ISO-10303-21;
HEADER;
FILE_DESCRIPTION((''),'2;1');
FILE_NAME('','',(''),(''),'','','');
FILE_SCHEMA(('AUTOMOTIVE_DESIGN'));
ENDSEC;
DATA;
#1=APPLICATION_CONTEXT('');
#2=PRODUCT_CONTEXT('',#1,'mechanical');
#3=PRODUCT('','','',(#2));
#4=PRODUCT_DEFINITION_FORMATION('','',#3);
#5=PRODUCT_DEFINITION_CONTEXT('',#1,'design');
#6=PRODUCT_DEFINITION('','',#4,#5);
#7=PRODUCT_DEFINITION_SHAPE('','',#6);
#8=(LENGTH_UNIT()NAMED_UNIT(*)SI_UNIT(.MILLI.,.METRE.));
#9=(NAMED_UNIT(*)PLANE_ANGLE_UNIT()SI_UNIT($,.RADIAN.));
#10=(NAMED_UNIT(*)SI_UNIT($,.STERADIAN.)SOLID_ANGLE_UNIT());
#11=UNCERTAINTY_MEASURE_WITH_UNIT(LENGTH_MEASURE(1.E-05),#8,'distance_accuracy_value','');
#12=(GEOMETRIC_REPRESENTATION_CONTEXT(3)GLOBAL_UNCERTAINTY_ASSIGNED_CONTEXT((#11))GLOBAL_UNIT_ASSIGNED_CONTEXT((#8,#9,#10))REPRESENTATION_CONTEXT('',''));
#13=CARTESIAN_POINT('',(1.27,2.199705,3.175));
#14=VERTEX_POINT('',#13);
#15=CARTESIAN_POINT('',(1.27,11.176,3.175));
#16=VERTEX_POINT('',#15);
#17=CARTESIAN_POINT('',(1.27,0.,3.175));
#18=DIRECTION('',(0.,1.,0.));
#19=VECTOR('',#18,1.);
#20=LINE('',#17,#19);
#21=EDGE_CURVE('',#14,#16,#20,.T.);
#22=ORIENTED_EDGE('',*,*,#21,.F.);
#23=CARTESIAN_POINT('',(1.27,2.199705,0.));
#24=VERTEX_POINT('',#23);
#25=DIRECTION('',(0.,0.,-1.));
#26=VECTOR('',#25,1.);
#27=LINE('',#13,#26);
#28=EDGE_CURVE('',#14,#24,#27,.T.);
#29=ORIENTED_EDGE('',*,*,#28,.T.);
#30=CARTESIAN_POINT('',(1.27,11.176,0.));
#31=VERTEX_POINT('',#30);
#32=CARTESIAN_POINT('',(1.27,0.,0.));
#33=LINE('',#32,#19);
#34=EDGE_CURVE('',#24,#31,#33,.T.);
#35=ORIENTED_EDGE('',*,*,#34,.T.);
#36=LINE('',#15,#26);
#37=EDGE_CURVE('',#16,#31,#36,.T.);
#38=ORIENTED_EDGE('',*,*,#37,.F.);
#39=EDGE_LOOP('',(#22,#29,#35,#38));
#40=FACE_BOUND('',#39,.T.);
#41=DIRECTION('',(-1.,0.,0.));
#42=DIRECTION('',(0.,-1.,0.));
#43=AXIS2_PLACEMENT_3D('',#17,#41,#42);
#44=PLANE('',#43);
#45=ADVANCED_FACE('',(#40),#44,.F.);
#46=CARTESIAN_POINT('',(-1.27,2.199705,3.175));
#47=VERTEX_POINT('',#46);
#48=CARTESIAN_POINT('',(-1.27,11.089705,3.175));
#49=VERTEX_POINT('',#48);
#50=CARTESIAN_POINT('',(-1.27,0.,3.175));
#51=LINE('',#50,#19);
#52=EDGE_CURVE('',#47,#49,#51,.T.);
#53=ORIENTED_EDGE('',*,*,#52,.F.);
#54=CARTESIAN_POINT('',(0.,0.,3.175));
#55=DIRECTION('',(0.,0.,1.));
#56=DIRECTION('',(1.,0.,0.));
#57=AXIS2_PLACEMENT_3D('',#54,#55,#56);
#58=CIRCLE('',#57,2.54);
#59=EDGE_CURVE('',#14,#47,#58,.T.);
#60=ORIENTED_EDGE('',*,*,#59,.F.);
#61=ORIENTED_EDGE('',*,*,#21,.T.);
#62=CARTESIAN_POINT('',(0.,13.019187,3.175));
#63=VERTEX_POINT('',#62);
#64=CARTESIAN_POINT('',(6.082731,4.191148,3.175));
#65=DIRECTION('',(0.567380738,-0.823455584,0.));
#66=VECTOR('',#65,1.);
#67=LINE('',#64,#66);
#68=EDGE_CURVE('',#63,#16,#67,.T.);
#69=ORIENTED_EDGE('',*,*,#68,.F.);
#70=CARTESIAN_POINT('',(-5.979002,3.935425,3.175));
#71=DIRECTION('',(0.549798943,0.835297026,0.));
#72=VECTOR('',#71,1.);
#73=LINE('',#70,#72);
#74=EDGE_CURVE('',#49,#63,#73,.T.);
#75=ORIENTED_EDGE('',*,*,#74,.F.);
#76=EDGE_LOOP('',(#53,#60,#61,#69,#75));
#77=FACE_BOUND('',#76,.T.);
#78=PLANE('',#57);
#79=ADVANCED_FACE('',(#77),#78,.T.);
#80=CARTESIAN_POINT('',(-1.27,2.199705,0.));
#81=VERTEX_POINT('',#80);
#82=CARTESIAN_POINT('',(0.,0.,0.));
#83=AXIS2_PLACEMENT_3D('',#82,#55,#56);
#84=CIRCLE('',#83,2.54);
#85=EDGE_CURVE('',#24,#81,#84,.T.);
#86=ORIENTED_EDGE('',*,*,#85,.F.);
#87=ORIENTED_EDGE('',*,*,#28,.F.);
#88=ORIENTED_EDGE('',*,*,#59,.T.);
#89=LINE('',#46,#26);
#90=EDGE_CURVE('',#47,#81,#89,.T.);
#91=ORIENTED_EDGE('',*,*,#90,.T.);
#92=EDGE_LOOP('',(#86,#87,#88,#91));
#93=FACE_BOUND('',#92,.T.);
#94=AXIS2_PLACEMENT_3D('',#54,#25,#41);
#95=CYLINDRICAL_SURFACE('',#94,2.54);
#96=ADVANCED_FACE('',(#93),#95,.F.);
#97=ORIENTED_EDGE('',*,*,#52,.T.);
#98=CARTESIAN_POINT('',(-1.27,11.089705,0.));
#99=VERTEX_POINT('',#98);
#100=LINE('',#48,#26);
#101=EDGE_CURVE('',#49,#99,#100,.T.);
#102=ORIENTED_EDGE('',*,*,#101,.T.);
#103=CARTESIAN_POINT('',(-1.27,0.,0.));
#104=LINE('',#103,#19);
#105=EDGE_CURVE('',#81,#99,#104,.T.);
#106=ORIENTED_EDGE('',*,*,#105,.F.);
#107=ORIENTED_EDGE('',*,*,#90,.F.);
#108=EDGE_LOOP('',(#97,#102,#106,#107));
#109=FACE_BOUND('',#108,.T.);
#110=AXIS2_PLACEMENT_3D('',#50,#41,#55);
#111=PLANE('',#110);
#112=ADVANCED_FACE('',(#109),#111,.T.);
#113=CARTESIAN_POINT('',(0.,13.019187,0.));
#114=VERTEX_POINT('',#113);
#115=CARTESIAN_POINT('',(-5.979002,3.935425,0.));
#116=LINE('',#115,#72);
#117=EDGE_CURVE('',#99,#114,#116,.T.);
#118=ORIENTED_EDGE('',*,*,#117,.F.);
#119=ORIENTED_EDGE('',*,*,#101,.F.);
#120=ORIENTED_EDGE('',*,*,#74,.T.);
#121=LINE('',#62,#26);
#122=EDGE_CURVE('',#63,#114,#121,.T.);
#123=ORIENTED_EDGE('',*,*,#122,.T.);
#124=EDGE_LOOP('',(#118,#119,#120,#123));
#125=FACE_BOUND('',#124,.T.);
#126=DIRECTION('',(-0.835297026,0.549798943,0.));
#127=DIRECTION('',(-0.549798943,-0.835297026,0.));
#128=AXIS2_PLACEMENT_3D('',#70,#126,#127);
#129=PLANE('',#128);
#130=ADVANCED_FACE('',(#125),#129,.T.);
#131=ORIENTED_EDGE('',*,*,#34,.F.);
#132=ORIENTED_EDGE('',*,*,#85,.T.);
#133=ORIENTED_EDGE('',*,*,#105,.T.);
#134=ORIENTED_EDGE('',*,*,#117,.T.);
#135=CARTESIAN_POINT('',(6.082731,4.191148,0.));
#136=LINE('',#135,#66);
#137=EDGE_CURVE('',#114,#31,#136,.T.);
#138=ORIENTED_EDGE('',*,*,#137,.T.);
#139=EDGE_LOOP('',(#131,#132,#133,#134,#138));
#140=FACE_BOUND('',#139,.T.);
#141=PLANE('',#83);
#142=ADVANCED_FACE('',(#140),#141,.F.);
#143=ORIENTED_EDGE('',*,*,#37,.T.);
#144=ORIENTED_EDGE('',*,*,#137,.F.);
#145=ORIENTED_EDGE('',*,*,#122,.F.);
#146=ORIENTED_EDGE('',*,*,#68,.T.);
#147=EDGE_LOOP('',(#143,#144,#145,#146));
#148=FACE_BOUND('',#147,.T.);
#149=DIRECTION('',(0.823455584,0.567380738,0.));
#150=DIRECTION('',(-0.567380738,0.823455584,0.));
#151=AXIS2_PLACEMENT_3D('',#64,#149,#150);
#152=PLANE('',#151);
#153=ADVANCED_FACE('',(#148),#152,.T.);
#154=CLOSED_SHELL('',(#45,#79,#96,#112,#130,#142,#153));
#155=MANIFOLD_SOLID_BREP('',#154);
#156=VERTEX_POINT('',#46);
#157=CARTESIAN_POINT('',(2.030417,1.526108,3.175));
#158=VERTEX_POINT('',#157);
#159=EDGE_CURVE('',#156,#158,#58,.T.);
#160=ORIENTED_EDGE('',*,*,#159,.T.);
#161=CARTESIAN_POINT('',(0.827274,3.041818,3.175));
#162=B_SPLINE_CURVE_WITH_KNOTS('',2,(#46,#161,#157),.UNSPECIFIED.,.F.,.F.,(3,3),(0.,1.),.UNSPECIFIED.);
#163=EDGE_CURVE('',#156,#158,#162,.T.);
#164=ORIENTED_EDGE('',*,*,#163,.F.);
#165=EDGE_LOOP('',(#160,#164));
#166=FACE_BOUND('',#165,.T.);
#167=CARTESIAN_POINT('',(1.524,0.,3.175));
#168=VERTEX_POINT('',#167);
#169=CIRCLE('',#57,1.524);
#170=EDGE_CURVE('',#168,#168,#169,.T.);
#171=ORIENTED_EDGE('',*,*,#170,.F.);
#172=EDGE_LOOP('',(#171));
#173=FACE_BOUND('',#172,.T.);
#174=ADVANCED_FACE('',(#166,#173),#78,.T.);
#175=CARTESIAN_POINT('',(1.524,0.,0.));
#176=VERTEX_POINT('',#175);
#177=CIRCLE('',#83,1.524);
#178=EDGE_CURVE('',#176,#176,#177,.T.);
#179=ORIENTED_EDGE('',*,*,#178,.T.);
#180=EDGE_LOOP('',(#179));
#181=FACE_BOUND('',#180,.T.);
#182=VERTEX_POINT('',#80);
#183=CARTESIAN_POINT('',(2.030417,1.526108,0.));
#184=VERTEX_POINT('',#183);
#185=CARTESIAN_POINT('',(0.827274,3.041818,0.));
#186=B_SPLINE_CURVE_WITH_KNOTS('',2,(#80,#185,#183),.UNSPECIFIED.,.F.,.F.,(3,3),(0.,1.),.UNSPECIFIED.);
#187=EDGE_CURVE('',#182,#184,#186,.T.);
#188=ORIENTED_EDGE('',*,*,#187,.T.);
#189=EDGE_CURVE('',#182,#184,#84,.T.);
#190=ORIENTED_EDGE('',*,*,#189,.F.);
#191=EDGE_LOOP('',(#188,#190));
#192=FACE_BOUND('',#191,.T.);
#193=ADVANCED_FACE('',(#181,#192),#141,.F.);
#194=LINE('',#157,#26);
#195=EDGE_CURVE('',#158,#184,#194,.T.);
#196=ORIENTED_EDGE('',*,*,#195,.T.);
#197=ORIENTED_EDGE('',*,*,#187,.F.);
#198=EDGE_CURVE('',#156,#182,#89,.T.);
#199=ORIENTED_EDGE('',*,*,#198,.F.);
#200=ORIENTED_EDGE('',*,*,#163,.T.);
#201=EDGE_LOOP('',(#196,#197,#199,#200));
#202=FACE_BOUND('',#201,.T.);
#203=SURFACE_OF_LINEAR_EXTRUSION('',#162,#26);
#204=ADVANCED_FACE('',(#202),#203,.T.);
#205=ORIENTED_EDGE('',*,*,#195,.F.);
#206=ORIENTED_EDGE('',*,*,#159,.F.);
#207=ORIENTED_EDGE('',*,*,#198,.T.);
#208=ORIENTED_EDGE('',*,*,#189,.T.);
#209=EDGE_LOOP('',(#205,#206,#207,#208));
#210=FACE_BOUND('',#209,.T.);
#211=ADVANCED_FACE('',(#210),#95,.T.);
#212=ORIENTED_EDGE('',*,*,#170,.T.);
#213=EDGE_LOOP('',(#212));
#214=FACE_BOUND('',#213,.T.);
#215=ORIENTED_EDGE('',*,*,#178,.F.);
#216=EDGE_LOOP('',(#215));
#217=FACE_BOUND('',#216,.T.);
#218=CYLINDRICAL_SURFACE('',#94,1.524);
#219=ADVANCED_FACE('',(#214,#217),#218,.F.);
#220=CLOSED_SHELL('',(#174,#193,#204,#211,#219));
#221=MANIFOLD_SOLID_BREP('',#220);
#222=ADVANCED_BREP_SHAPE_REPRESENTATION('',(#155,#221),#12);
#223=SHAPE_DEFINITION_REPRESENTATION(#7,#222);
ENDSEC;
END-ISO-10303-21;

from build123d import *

# Parameters (mm, degrees)
SKETCH1_R           = 1.524
BOSS_EXTRUDE1_DEPTH = 3.175
BOSS_EXTRUDE2_DEPTH = 3.175


with BuildPart() as part:
    # Sketch1 → Boss-Extrude1 (new body)
    with BuildSketch(Plane.XY):
        with BuildLine():
            ThreePointArc((-1.27, 2.199704526), (-0.507928763, -2.488696119), (2.030417223, 1.52610809))
            add(Edge.make_bspline(
                [(2.030417223, 1.52610809), (0.827273923, 3.041818161), (-1.27, 2.199704526)],
                knots=[0.714314334, 0.714314334, 0.714314334, 1.714314334, 1.714314334, 1.714314334], degree=2))
        make_face()
        Circle(SKETCH1_R, mode=Mode.SUBTRACT)
    extrude(amount=BOSS_EXTRUDE1_DEPTH)


with BuildPart() as body_2:
    # Sketch1<4> → Boss-Extrude2 (new body)
    with BuildSketch(Plane.XY):
        with BuildLine():
            Line((-1.27, 11.089704526), (-1.27, 2.199704526))
            ThreePointArc((-1.27, 2.199704526), (0, 2.54), (1.27, 2.199704526))
            Line((1.27, 2.199704526), (1.27, 11.089704526))
            Line((1.27, 11.089704526), (1.27, 11.176))
            Line((1.27, 11.176), (0, 13.019186633))
            Line((0, 13.019186633), (-1.27, 11.089704526))
        make_face()
    extrude(amount=BOSS_EXTRUDE2_DEPTH)


solid = Compound([part.part, body_2.part])
